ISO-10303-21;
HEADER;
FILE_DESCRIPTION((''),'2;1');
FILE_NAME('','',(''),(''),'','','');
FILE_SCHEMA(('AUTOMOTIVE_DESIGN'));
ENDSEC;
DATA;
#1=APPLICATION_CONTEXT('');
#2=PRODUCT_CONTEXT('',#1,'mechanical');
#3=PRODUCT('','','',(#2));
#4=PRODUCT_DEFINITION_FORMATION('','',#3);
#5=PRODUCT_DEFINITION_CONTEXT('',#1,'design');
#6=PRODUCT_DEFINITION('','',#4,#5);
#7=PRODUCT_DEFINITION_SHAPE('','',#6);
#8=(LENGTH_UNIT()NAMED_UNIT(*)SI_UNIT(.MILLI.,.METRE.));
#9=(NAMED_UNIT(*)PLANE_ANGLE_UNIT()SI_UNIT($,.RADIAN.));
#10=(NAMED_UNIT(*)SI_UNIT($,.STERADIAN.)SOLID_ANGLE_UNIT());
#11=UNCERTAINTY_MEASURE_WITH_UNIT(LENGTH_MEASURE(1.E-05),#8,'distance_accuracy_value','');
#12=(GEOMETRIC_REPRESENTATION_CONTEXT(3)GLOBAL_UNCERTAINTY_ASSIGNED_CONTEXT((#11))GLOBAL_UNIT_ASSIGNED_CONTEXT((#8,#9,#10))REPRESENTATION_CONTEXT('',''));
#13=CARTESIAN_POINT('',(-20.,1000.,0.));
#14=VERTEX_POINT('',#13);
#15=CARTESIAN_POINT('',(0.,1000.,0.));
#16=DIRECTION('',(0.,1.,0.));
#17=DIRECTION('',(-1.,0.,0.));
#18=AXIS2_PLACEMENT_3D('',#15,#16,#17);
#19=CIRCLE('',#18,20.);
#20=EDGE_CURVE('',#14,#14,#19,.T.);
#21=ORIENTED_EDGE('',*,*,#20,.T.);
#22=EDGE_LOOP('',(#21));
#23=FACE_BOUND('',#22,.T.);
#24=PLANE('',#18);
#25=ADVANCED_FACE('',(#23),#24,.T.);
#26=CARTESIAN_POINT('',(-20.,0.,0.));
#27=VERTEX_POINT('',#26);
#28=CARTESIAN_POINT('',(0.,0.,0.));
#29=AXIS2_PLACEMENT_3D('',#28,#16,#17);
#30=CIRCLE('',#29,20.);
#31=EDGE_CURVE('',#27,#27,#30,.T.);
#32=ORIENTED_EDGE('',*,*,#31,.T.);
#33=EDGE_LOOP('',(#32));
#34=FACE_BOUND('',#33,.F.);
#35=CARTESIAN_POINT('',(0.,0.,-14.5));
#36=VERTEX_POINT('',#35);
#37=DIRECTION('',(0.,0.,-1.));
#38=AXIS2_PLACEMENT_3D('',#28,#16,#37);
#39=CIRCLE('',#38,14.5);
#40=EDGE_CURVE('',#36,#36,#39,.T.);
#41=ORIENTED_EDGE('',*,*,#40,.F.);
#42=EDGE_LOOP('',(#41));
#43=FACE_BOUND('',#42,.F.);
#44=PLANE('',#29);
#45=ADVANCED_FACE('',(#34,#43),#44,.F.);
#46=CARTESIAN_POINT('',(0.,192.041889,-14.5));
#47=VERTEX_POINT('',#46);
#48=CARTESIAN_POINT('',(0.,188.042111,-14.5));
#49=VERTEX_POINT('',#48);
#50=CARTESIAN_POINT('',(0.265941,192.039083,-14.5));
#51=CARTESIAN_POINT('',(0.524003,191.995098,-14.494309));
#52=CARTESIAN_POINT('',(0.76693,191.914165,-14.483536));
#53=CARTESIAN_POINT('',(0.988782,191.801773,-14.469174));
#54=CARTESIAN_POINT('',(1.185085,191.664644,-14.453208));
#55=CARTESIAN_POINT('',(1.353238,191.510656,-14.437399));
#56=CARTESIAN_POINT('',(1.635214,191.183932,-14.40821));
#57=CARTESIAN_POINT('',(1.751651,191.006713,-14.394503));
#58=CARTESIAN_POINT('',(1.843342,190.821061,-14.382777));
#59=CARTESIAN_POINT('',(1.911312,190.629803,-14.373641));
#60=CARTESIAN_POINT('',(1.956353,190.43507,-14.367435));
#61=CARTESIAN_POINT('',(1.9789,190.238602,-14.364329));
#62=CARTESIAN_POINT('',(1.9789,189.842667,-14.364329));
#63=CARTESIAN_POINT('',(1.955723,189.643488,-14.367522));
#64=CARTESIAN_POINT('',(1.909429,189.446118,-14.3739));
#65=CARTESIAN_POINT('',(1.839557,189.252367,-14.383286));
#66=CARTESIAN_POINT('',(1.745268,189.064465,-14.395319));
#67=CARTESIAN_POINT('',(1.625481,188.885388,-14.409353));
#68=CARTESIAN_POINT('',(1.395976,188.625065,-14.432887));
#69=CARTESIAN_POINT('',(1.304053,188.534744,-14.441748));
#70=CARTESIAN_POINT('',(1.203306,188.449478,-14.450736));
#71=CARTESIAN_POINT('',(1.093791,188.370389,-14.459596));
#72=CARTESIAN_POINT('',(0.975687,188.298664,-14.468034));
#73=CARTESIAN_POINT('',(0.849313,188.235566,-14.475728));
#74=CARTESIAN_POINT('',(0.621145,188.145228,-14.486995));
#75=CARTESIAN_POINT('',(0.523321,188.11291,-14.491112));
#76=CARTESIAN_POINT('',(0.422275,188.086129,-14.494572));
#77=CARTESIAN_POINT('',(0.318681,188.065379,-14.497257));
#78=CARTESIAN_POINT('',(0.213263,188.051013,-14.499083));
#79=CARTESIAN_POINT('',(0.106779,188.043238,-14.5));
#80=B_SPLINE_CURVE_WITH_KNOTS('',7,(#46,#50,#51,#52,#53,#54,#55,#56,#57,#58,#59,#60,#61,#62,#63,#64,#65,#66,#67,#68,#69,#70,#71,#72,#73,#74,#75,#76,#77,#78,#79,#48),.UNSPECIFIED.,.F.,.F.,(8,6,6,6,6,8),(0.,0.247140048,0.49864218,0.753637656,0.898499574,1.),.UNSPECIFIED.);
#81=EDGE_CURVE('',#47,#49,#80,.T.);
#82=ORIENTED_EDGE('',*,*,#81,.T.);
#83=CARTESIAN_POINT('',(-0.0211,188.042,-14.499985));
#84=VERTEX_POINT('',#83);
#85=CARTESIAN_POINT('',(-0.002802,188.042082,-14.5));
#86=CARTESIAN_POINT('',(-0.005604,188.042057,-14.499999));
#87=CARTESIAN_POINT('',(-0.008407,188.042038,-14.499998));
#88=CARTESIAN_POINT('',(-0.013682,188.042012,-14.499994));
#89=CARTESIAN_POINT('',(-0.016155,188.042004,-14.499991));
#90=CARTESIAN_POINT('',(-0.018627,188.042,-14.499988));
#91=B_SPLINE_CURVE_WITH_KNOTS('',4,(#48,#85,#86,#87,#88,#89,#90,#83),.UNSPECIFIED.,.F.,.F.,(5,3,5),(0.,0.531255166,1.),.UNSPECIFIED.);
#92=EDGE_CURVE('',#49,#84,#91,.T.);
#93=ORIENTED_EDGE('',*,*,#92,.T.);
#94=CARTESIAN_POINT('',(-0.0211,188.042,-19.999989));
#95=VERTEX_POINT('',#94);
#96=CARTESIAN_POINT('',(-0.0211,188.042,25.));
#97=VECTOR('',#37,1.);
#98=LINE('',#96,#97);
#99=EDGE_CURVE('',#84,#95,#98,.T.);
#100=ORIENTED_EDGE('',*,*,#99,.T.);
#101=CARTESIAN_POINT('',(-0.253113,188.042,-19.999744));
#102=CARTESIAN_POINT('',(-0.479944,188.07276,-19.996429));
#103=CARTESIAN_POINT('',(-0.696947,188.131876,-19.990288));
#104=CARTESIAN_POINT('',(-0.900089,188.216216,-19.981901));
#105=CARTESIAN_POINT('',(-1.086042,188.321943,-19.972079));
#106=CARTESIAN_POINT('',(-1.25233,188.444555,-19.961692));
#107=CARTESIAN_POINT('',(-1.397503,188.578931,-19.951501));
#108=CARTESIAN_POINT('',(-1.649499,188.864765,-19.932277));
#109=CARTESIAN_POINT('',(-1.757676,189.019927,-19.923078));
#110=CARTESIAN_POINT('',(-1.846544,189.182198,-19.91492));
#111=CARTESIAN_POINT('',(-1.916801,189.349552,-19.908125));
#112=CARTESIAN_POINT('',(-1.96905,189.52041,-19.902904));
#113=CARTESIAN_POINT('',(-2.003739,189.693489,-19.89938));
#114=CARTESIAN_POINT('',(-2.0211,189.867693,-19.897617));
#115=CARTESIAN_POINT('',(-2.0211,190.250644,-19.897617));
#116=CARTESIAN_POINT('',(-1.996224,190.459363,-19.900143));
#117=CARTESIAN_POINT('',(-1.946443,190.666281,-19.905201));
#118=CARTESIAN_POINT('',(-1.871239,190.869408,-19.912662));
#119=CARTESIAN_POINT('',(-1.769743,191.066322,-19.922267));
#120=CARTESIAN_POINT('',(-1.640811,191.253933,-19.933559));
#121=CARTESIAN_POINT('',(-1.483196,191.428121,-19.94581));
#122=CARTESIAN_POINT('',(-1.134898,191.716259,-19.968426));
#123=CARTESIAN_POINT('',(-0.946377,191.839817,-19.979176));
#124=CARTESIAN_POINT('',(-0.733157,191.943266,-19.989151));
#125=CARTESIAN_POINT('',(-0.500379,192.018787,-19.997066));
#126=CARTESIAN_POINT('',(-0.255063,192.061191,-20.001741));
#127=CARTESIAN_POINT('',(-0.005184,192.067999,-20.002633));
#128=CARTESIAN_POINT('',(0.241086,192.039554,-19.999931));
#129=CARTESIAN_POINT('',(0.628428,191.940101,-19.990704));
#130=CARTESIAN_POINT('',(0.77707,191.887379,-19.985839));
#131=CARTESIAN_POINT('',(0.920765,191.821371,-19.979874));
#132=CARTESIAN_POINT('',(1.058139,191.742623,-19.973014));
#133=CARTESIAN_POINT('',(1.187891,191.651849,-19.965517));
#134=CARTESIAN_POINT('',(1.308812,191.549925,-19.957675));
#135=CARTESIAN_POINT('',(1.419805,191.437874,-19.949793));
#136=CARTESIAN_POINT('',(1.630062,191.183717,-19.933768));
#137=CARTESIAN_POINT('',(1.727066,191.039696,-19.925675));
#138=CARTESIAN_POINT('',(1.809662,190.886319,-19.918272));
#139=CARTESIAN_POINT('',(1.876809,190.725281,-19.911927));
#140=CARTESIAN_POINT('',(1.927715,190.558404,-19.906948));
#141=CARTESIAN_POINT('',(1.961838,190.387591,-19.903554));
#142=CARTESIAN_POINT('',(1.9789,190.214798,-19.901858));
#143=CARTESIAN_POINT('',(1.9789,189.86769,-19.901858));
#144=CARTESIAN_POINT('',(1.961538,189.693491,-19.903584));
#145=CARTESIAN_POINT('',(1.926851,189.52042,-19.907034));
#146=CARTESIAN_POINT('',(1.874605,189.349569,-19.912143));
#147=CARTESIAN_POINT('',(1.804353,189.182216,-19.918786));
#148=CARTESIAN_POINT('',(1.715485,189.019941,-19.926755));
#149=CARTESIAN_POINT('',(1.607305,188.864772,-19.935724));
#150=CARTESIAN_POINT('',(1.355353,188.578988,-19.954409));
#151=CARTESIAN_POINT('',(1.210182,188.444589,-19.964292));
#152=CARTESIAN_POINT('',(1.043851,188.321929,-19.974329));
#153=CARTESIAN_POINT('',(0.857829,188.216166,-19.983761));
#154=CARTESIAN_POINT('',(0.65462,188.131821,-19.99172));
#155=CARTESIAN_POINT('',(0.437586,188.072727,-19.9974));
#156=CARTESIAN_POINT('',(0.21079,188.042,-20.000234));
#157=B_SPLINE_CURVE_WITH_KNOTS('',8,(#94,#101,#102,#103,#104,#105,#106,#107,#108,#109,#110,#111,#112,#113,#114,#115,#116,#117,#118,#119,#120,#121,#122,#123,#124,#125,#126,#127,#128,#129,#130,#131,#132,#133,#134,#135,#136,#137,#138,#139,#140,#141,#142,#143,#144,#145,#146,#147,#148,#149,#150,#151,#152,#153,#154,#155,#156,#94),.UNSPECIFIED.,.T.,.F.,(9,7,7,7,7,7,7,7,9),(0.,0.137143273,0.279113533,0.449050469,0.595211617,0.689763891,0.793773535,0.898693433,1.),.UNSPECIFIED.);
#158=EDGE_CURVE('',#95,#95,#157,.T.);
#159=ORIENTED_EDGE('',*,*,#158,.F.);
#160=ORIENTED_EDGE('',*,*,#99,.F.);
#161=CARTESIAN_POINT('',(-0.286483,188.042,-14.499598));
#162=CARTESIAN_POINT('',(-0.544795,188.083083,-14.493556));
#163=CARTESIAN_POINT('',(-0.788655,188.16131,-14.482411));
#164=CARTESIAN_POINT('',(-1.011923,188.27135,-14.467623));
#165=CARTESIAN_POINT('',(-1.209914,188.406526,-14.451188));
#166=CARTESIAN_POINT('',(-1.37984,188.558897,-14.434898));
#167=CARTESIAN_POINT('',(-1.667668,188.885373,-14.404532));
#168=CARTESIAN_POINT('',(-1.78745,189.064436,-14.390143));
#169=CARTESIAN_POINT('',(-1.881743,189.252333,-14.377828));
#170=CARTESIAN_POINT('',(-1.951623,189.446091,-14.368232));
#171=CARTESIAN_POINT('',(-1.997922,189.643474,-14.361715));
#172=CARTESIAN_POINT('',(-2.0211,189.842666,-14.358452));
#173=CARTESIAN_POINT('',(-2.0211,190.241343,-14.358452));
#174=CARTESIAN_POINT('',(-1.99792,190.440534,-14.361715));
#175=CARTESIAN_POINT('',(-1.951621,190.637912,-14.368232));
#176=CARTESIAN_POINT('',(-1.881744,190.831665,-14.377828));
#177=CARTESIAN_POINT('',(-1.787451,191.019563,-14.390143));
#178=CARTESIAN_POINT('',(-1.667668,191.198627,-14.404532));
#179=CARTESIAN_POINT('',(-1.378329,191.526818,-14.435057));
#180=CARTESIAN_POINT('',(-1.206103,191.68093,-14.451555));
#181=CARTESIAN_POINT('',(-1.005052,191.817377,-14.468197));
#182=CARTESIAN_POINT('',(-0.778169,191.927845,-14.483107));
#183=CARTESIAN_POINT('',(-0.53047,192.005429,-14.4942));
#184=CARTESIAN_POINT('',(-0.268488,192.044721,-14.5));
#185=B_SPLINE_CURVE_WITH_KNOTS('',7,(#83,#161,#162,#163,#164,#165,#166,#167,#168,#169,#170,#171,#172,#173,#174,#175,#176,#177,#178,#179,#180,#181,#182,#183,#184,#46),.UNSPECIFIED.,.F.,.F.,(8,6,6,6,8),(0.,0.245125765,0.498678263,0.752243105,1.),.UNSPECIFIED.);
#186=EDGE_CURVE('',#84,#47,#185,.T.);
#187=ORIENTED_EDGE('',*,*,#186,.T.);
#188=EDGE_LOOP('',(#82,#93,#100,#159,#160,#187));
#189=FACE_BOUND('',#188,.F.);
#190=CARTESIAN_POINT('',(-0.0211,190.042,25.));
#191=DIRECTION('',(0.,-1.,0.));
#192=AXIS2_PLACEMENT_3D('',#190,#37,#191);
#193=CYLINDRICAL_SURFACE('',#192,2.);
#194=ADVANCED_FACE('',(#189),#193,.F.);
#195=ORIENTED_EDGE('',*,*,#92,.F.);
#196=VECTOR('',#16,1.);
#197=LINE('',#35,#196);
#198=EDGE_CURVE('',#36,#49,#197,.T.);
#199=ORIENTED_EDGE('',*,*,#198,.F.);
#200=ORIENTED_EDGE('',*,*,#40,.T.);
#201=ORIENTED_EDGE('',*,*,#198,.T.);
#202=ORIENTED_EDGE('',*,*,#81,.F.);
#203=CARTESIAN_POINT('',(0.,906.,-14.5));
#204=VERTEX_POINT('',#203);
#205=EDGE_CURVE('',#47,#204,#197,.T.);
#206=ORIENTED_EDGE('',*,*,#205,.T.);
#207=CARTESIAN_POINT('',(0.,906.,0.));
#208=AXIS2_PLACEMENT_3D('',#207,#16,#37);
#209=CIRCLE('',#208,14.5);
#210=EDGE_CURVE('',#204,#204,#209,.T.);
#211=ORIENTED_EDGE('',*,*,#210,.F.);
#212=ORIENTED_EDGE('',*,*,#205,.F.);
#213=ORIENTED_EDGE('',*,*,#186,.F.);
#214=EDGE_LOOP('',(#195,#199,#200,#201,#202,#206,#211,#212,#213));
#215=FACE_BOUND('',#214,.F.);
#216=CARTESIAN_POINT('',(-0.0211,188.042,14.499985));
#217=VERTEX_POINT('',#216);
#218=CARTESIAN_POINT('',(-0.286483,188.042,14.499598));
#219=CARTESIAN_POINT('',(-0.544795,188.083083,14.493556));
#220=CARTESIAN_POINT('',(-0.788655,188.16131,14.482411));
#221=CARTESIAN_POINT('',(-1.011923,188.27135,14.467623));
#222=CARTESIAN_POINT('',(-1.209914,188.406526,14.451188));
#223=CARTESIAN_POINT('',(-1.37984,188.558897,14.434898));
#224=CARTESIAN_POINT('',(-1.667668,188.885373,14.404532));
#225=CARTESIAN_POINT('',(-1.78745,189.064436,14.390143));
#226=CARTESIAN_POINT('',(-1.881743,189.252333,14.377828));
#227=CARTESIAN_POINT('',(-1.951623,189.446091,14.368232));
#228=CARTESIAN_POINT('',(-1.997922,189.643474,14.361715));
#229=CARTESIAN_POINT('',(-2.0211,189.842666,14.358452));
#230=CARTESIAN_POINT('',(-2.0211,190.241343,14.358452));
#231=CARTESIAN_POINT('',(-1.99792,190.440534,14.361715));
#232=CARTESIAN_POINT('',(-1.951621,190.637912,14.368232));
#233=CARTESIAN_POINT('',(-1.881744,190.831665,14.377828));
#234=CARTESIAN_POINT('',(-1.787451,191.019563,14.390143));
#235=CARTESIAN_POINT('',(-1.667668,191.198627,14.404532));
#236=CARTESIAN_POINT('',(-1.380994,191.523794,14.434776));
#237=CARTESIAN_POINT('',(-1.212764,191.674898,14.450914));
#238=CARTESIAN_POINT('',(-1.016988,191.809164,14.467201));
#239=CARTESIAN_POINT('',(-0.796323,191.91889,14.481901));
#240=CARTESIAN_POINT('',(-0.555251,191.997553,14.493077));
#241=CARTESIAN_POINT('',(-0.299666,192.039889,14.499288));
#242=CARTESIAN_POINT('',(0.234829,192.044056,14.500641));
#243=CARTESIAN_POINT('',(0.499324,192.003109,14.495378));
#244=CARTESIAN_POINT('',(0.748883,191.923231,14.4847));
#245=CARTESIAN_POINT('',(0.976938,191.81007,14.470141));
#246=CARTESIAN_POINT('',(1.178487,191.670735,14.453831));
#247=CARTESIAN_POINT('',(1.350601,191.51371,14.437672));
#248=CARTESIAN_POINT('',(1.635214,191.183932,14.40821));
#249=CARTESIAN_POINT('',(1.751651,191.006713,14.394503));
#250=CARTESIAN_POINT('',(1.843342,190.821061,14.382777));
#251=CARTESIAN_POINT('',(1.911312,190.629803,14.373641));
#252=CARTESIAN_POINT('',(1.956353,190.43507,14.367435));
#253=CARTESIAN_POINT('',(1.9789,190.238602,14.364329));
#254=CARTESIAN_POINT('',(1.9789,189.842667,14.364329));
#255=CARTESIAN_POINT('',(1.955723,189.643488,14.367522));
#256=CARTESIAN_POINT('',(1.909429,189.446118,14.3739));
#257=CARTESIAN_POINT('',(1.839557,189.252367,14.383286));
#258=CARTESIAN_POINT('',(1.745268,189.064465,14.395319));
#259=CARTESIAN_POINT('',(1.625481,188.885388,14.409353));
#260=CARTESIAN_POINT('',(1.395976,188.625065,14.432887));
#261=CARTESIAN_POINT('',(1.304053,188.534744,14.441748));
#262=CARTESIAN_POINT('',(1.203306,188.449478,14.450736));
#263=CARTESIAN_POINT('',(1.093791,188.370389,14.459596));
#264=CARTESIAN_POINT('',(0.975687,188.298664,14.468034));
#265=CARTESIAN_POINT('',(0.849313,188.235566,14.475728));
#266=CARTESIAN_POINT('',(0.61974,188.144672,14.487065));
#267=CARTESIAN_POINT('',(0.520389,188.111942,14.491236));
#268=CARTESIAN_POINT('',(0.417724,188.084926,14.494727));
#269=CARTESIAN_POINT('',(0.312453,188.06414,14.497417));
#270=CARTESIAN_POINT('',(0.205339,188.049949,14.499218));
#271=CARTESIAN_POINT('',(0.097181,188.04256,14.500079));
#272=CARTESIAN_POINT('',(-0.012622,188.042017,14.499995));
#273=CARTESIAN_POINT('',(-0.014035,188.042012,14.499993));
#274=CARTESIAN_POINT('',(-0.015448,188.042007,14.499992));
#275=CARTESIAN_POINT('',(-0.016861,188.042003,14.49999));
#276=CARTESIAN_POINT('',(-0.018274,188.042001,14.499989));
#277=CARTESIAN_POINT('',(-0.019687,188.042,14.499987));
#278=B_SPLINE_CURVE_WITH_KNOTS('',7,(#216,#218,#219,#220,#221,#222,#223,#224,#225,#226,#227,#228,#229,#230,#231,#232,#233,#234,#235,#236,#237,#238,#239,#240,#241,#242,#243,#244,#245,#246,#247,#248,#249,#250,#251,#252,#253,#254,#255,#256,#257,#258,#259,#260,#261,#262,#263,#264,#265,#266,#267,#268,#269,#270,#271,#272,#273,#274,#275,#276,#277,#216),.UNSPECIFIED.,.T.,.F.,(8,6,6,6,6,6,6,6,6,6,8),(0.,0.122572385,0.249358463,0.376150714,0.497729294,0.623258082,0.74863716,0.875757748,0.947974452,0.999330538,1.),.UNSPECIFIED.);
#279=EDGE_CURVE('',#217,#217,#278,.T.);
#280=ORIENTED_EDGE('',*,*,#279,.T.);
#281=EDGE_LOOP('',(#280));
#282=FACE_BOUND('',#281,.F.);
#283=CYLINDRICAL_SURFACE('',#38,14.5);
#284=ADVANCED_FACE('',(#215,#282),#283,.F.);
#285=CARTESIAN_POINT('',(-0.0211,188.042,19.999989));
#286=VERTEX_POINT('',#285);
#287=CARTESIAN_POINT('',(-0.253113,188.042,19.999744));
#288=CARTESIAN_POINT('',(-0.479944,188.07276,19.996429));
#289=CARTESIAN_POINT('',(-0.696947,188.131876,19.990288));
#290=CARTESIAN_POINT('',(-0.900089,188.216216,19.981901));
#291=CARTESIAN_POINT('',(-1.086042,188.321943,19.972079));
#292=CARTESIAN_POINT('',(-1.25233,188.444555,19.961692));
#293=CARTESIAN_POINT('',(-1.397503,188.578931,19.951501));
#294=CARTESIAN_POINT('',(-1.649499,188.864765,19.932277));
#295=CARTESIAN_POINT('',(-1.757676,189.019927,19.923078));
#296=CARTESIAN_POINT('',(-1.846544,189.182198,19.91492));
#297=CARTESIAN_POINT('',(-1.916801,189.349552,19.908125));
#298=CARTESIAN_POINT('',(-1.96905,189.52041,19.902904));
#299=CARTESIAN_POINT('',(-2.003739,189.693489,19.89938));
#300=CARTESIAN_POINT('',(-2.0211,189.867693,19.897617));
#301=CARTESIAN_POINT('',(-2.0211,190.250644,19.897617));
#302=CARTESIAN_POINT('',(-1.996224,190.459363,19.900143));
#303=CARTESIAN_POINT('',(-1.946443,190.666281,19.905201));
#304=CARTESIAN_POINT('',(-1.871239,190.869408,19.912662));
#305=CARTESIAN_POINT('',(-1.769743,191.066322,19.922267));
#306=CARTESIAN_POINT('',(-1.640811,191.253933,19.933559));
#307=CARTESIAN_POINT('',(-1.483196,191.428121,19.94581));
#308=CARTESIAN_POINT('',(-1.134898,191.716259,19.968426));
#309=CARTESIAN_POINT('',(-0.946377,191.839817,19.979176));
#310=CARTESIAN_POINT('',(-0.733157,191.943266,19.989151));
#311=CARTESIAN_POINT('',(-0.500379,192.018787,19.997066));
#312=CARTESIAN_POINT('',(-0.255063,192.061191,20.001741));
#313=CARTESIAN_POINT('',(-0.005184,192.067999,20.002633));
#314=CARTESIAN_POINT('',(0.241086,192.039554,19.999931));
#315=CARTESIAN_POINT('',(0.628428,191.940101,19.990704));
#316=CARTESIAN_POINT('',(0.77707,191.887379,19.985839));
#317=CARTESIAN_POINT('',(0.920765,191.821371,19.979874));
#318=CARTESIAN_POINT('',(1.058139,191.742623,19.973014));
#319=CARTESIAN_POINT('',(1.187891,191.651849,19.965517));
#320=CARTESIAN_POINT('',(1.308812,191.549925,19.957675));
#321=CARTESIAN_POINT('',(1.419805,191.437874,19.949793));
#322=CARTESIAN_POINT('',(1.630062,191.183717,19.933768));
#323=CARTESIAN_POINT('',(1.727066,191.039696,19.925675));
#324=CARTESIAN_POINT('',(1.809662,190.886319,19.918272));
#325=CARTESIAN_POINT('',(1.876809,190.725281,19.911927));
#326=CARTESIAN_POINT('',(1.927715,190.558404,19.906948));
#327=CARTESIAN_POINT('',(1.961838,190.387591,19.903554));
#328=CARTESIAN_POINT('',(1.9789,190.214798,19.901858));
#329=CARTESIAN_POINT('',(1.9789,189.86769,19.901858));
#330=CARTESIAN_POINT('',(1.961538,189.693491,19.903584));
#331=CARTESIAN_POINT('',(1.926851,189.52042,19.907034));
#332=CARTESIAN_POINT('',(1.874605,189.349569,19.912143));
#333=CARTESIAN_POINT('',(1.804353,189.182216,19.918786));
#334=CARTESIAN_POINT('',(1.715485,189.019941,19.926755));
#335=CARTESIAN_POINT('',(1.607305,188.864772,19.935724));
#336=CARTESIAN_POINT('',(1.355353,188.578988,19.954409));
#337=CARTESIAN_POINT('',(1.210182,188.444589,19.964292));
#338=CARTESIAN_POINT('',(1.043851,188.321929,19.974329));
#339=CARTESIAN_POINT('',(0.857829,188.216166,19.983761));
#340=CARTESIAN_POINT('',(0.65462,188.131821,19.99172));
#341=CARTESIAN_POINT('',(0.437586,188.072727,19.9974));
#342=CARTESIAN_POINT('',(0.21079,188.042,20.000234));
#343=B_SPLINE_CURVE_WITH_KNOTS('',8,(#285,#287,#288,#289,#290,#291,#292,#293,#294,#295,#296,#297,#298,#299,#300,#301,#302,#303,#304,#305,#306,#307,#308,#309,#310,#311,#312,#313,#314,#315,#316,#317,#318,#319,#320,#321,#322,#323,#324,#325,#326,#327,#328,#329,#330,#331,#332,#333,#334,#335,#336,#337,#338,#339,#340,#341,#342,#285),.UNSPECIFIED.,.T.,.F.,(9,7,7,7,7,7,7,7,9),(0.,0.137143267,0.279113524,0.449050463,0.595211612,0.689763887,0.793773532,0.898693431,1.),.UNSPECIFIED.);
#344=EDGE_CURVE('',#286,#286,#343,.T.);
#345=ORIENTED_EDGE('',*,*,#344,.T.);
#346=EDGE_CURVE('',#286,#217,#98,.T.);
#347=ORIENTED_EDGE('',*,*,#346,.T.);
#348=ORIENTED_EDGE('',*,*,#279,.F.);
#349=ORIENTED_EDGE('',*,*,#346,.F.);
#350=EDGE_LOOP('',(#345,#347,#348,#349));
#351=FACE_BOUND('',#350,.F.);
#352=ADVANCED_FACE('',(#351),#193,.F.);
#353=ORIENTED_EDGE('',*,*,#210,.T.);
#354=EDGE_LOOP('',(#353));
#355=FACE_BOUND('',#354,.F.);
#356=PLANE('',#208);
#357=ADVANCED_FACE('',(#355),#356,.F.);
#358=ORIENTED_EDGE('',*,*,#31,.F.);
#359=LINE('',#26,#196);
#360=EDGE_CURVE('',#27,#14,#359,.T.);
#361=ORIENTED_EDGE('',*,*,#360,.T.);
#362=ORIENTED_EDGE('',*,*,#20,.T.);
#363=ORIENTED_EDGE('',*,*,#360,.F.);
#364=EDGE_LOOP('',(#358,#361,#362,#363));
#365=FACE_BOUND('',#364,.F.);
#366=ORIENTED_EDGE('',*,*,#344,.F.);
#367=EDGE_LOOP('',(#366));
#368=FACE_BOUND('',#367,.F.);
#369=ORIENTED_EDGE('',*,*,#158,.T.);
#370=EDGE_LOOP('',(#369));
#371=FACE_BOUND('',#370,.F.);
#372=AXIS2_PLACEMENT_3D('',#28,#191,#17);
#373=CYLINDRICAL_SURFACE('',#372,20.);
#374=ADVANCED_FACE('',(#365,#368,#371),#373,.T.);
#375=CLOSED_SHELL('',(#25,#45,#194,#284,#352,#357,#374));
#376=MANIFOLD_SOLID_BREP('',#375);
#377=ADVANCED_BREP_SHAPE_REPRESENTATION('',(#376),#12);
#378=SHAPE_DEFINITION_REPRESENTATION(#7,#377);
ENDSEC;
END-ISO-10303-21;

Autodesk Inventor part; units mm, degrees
ref_plane "YZ Plane" through (0, 0, 0) normal (1, 0, 0) x (0, 1, 0)
ref_plane "XZ Plane" through (0, 0, 0) normal (0, 1, 0) x (-1, 0, 0)
ref_plane "XY Plane" through (0, 0, 0) normal (0, 0, 1) x (1, 0, 0)
sketch "Sketch1" plane through (0, 0, 0) normal (0, 1, 0) x (-1, 0, 0)
  circle A0 centre (0, 0) radius 20
  dimension "d0" = 40
extrude "Extrusion1" add sketch "Sketch1" along normal blind 1000
sketch "Sketch2" plane through (0, 0, 0) normal (0, 0, 1) x (1, 0, 0)
  circle A0 centre (0, 190.0543) radius 1.5
  point P0 (0, 0)
  dimension "d3" = 3
extrude "Extrusion2" add sketch "Sketch2" along normal blind 25 and the other way blind 25
sketch "Sketch3" plane through (0, 190.0543, 25) normal (0, 0, 1) x (1, 0, 0)
  point P0 (0, -190.0543)
  point P1 (-0.0211, -0.0123)
hole "Hole1" at (-0.0211, 190.042, 25) direction (0, 0, -1) diameter 4 depth 51
sketch "Sketch4" plane through (0, 0, 0) normal (0, -1, 0) x (1, 0, 0)
  point P0 (0, 0)
  point P1 (0, 0)
hole "Hole2" at (0, 0, 0) direction (0, 1, 0) diameter 29 depth 906
thread "Thread2" size "M40x3" class "6g" standard "ANSI Metric M Profile" length 40
thread "Thread3" size "M40x3" class "6g" standard "ANSI Metric M Profile" length 100
properties part number "Tongkatttt" material "Aluminum 6061-AHC"
